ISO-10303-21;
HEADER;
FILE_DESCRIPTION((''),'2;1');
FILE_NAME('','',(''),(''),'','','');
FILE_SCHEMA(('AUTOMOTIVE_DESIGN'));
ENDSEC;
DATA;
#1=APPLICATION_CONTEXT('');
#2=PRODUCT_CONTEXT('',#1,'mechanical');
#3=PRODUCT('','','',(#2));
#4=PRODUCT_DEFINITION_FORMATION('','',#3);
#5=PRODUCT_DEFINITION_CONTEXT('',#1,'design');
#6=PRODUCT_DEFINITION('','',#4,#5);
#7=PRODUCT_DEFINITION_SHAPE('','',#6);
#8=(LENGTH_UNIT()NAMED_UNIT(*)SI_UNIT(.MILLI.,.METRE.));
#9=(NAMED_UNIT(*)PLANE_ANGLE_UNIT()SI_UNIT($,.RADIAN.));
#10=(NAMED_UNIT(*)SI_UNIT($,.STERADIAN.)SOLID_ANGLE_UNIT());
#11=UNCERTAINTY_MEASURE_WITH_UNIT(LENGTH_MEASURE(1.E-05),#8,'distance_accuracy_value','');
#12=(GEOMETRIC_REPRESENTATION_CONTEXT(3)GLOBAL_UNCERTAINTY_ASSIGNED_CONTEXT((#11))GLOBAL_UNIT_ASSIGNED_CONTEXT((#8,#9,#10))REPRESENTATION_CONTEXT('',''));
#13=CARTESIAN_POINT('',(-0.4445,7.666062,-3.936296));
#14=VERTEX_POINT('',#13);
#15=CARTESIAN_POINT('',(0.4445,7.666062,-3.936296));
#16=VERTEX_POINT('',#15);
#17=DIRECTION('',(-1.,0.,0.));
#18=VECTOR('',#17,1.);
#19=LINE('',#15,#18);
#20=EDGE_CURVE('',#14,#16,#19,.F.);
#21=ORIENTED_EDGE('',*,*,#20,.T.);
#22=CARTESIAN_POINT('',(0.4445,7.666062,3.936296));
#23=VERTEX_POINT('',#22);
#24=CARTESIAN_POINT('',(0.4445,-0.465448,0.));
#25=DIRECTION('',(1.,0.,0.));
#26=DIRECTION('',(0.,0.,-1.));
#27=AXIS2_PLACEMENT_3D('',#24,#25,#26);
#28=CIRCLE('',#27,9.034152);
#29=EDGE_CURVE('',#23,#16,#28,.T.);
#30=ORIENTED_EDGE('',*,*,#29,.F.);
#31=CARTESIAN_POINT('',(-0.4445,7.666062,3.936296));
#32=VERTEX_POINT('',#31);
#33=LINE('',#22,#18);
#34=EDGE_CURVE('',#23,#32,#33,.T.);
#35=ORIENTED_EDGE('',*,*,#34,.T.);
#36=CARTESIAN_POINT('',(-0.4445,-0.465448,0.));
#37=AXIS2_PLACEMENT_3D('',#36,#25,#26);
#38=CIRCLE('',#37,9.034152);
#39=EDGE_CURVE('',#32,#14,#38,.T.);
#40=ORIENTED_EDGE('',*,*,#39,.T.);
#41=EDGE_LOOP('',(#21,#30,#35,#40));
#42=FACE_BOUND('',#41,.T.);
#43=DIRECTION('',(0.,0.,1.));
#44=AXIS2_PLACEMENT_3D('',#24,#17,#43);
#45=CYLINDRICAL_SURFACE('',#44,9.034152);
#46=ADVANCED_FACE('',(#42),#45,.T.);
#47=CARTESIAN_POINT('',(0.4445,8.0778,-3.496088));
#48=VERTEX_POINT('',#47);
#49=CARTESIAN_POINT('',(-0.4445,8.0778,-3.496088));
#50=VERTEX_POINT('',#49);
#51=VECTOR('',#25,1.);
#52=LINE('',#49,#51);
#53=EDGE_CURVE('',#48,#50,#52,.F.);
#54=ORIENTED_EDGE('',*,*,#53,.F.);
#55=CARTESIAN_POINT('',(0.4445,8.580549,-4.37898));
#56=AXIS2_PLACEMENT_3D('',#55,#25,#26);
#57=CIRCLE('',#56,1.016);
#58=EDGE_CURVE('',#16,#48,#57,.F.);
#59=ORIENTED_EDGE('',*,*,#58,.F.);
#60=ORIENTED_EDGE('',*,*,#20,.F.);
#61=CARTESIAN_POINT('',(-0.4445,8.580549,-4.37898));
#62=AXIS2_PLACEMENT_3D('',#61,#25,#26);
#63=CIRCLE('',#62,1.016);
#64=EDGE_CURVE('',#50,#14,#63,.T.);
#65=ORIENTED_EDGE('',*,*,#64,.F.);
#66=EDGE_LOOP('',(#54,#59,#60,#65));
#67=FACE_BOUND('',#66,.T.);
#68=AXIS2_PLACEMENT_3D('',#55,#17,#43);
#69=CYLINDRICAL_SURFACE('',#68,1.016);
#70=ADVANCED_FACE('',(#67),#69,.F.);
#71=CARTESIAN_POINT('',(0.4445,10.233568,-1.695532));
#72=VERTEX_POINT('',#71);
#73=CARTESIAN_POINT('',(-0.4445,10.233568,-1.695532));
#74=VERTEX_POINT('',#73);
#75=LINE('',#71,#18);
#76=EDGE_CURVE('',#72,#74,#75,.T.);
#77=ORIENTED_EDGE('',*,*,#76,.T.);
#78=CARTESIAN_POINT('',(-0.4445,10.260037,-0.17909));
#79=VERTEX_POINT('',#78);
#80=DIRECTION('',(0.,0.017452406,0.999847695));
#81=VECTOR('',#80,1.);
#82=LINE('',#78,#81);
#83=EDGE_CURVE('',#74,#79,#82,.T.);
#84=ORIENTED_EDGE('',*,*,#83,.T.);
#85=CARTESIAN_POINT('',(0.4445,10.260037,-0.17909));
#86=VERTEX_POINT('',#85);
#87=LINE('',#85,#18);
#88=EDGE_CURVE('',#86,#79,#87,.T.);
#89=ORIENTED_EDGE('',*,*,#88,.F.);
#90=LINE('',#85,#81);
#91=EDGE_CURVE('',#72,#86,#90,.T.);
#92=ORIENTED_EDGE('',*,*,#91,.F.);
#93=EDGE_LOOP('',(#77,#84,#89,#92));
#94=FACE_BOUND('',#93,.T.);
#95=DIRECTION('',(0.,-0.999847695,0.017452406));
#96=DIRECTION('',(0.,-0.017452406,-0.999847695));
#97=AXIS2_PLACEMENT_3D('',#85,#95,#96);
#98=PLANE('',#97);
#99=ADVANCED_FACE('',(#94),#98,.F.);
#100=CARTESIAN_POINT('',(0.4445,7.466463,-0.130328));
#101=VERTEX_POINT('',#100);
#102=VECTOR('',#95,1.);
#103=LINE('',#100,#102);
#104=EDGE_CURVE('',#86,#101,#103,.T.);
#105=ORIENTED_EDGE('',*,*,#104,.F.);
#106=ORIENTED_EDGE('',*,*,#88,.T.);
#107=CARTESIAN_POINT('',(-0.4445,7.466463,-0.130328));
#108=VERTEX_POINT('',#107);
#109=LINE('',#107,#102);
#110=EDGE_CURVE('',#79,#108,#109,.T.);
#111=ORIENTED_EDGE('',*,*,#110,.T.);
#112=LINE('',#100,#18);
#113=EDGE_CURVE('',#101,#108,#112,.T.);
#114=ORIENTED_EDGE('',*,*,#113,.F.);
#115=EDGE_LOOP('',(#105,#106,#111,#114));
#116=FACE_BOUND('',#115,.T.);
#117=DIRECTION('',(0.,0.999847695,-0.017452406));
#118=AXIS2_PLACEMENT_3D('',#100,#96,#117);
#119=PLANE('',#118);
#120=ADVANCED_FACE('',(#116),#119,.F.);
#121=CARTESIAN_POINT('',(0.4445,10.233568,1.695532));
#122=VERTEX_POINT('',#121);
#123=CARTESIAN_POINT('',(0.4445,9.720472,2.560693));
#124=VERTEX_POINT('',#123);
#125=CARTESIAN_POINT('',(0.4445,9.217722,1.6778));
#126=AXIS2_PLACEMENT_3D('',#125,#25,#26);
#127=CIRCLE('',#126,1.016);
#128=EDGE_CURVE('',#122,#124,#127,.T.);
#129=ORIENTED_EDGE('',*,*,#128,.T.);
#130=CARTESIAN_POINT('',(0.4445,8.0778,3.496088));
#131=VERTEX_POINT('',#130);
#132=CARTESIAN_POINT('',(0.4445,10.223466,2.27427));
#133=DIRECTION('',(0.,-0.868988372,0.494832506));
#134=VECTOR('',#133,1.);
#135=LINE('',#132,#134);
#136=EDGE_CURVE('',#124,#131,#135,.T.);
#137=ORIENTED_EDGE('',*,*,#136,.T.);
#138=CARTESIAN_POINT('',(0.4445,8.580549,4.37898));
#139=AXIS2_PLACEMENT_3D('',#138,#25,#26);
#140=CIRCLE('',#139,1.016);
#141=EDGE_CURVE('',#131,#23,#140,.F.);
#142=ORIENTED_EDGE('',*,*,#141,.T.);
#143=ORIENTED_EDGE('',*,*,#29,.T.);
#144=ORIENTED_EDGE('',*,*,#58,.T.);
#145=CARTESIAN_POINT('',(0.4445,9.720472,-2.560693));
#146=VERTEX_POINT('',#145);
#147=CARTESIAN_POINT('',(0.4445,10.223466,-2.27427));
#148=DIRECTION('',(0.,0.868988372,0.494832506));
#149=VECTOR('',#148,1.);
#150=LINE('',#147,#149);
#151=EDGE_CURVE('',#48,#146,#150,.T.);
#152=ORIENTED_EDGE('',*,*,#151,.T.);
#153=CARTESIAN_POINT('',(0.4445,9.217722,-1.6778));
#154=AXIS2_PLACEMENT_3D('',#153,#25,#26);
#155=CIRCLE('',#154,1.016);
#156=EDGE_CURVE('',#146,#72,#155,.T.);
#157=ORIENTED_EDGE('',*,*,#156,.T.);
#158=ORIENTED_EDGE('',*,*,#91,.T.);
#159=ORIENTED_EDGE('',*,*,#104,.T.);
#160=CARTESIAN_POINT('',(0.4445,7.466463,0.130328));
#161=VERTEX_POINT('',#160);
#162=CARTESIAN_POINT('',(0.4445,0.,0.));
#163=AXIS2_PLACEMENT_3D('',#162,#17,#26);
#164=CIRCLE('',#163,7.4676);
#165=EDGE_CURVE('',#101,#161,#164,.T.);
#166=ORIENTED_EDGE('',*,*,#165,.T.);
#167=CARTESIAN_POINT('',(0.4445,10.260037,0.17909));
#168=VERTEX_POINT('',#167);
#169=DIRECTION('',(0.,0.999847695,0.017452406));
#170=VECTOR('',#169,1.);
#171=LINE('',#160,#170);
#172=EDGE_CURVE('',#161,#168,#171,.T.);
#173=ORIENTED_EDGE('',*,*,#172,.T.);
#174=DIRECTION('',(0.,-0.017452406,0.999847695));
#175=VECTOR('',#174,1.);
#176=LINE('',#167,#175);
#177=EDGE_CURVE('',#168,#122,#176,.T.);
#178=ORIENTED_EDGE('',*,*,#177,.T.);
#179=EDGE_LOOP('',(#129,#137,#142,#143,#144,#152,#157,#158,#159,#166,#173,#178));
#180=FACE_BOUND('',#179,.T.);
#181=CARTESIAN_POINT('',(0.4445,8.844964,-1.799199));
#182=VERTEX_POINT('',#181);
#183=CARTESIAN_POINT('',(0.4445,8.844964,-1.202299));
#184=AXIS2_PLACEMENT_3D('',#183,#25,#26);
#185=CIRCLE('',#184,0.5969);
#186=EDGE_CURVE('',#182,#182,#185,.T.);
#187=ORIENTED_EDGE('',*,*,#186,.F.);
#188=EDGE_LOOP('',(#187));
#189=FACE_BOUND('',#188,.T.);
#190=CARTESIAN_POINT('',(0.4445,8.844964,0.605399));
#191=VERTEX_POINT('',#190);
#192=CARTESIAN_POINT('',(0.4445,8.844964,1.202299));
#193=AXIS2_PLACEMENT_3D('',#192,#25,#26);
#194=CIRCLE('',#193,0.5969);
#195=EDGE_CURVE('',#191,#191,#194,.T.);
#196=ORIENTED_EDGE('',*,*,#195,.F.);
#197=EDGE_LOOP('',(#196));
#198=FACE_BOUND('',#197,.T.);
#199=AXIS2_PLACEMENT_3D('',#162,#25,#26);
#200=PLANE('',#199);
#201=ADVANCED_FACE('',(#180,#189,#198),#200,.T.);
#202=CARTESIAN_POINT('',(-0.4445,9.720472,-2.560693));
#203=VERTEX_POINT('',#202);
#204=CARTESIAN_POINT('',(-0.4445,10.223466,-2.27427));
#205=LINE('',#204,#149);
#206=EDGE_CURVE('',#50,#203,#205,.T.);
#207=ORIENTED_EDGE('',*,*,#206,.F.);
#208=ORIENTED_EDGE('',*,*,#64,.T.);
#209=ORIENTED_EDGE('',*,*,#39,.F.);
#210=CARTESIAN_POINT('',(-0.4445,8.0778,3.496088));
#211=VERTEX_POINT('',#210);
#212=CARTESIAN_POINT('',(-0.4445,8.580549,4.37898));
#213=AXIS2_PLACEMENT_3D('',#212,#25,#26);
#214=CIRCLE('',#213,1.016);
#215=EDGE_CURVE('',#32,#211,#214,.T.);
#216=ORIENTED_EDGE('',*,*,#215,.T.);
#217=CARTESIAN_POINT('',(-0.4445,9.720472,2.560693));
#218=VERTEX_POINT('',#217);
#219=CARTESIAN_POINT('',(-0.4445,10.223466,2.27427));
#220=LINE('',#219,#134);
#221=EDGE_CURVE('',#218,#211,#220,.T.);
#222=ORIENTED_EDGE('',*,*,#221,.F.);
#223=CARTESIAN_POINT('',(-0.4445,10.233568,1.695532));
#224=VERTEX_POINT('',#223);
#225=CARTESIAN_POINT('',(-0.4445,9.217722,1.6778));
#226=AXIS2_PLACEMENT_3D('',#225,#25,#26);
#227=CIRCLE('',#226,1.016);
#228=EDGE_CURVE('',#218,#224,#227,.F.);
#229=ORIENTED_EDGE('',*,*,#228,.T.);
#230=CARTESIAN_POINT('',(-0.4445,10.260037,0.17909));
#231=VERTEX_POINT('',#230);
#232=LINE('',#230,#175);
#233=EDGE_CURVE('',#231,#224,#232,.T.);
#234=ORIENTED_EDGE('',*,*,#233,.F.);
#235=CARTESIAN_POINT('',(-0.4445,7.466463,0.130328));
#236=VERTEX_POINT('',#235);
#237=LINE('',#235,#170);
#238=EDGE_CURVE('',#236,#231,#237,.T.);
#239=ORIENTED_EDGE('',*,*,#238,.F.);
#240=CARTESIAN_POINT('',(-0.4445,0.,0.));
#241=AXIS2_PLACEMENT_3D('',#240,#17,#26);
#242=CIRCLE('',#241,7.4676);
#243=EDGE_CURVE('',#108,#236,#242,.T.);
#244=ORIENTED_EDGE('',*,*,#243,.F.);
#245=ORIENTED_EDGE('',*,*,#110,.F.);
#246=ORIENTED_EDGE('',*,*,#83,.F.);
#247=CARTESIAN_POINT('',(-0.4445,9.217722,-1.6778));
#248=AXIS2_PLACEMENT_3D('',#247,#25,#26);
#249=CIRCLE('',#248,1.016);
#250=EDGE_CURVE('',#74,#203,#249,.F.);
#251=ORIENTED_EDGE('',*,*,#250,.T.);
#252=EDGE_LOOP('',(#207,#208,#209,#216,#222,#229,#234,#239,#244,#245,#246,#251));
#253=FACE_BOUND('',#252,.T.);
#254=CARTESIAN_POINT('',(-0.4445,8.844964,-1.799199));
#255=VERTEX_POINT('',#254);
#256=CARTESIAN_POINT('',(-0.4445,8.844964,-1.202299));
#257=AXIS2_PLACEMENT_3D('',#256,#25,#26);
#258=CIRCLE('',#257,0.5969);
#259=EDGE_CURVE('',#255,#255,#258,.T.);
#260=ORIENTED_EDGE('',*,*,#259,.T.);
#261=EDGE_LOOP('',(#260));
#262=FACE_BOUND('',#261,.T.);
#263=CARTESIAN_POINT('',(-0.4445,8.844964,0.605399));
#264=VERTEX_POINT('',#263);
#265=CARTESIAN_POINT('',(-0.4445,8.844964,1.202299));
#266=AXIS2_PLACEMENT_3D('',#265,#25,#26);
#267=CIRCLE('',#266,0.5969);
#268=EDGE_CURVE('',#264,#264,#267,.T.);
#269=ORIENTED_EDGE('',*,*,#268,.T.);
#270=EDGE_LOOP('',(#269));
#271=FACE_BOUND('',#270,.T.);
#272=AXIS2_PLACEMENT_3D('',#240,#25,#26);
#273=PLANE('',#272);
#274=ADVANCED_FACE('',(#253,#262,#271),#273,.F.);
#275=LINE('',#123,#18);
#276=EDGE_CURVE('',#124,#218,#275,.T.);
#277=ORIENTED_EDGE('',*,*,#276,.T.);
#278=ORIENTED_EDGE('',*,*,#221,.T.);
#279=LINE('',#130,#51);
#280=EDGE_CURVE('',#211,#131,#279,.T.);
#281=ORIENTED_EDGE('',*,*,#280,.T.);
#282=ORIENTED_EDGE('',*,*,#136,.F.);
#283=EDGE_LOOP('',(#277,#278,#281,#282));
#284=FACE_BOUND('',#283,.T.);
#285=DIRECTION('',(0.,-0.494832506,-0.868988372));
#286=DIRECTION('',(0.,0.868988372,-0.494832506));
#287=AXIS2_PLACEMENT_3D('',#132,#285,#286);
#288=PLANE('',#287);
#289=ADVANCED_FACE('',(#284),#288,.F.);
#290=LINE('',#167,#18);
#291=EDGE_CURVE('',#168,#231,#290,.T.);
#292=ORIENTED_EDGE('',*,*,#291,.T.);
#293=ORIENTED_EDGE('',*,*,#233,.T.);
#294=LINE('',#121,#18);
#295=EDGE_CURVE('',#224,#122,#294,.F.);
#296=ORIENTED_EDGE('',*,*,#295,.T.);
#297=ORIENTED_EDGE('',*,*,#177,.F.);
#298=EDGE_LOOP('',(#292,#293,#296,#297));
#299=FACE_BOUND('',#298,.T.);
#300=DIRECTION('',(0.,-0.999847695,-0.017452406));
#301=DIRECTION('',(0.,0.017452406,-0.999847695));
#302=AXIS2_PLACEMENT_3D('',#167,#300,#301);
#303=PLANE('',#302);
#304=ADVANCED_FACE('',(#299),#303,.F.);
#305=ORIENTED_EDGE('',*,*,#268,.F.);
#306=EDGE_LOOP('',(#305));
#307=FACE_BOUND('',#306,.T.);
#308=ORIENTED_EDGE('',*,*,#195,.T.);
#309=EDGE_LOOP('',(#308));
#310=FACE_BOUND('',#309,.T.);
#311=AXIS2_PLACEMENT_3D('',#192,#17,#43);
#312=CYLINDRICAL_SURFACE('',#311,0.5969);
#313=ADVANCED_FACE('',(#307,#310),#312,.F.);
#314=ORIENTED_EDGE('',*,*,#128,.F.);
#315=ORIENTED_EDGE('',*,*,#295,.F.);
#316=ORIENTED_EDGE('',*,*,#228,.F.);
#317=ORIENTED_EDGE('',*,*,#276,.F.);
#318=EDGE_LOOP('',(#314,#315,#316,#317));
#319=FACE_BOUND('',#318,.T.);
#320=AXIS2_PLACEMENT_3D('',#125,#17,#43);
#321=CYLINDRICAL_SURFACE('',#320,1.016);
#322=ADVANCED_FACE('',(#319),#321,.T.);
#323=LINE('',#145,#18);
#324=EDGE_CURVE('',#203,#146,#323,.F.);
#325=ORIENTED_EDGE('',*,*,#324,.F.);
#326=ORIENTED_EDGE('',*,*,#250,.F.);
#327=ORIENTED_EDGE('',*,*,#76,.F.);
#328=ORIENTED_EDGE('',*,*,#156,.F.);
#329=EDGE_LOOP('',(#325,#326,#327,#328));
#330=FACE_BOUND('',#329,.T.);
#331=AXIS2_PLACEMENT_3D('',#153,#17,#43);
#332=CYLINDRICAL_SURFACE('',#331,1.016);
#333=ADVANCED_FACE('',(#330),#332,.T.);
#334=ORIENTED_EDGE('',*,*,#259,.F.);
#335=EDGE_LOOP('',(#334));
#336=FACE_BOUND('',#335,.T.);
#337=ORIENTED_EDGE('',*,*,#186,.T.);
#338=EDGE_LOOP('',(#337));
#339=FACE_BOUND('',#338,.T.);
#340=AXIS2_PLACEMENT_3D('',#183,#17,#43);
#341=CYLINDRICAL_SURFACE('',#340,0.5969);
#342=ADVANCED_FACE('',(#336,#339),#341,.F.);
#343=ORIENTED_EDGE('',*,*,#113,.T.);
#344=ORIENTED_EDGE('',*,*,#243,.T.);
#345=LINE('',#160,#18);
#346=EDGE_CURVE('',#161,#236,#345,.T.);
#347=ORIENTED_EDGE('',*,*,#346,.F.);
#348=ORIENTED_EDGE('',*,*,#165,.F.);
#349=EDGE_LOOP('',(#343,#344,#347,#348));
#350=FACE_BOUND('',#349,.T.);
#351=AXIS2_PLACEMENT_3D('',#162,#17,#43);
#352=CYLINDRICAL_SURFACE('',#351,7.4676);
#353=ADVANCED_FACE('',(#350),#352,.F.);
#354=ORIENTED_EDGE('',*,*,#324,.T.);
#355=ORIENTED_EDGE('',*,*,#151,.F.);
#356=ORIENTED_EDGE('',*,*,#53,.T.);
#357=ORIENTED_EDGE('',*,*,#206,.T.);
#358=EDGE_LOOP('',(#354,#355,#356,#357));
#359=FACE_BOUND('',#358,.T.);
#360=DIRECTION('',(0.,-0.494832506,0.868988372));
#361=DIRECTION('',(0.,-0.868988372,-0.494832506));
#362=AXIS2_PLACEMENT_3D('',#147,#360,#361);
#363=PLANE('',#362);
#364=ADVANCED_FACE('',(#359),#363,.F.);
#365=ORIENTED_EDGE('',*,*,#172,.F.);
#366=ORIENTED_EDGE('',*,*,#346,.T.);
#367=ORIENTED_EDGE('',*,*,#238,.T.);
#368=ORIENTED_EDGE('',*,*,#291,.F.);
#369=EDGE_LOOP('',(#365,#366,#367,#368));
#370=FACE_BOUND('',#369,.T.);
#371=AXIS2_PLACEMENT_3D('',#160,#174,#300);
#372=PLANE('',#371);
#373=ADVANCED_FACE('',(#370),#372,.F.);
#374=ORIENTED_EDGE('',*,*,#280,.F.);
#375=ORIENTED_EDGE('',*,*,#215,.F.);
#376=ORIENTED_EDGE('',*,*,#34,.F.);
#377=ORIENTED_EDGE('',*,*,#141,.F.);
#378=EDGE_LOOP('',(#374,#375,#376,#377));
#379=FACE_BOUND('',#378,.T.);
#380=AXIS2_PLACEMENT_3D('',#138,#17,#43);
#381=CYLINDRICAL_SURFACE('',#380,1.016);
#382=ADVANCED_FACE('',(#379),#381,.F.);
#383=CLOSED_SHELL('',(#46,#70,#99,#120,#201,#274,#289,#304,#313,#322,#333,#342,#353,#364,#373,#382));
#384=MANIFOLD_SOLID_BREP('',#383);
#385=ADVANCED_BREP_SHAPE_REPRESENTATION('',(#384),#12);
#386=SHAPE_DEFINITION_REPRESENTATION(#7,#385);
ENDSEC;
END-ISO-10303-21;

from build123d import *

# Parameters (mm, degrees)
SKETCH1_R      = 0.5969
EXTRUDE1_DEPTH = 0.4445
FILLET1_R      = 1.016


with BuildPart() as part:
    # Sketch1 → Extrude1 (new body, symmetric)
    with BuildSketch(Plane(origin=(0, 0, 0), x_dir=(0, 0, -1), z_dir=(1, 0, 0))):
        with BuildLine():
            Line((-0.13032759, 7.466462648), (-0.179089614, 10.260037109))
            Line((-0.179089614, 10.260037109), (-2.274270459, 10.223465591))
            Line((-2.274270459, 10.223465591), (-3.65683248, 7.795512079))
            ThreePointArc((-3.65683248, 7.795512079), (0, -9.4996), (3.65683248, 7.795512079))
            Line((3.65683248, 7.795512079), (2.274270459, 10.223465591))
            Line((2.274270459, 10.223465591), (0.179089614, 10.260037109))
            Line((0.179089614, 10.260037109), (0.13032759, 7.466462648))
            ThreePointArc((0.13032759, 7.466462648), (0, -7.4676), (-0.13032759, 7.466462648))
        make_face()
        with Locations((-1.202299025, 8.84496412)):
            Circle(SKETCH1_R, mode=Mode.SUBTRACT)
        with Locations((1.202299025, 8.84496412)):
            Circle(SKETCH1_R, mode=Mode.SUBTRACT)
    extrude(amount=EXTRUDE1_DEPTH, both=True)

    # Fillet1
    fillet1_edges = [part.edges().sort_by_distance(p)[0] for p in [
        (0, 10.223465591, -2.274270459),
        (0, 7.795512079, -3.65683248),
        (0, 7.795512079, 3.65683248),
        (0, 10.223465591, 2.274270459),
    ]]
    fillet(fillet1_edges, radius=FILLET1_R)


solid = part.part
